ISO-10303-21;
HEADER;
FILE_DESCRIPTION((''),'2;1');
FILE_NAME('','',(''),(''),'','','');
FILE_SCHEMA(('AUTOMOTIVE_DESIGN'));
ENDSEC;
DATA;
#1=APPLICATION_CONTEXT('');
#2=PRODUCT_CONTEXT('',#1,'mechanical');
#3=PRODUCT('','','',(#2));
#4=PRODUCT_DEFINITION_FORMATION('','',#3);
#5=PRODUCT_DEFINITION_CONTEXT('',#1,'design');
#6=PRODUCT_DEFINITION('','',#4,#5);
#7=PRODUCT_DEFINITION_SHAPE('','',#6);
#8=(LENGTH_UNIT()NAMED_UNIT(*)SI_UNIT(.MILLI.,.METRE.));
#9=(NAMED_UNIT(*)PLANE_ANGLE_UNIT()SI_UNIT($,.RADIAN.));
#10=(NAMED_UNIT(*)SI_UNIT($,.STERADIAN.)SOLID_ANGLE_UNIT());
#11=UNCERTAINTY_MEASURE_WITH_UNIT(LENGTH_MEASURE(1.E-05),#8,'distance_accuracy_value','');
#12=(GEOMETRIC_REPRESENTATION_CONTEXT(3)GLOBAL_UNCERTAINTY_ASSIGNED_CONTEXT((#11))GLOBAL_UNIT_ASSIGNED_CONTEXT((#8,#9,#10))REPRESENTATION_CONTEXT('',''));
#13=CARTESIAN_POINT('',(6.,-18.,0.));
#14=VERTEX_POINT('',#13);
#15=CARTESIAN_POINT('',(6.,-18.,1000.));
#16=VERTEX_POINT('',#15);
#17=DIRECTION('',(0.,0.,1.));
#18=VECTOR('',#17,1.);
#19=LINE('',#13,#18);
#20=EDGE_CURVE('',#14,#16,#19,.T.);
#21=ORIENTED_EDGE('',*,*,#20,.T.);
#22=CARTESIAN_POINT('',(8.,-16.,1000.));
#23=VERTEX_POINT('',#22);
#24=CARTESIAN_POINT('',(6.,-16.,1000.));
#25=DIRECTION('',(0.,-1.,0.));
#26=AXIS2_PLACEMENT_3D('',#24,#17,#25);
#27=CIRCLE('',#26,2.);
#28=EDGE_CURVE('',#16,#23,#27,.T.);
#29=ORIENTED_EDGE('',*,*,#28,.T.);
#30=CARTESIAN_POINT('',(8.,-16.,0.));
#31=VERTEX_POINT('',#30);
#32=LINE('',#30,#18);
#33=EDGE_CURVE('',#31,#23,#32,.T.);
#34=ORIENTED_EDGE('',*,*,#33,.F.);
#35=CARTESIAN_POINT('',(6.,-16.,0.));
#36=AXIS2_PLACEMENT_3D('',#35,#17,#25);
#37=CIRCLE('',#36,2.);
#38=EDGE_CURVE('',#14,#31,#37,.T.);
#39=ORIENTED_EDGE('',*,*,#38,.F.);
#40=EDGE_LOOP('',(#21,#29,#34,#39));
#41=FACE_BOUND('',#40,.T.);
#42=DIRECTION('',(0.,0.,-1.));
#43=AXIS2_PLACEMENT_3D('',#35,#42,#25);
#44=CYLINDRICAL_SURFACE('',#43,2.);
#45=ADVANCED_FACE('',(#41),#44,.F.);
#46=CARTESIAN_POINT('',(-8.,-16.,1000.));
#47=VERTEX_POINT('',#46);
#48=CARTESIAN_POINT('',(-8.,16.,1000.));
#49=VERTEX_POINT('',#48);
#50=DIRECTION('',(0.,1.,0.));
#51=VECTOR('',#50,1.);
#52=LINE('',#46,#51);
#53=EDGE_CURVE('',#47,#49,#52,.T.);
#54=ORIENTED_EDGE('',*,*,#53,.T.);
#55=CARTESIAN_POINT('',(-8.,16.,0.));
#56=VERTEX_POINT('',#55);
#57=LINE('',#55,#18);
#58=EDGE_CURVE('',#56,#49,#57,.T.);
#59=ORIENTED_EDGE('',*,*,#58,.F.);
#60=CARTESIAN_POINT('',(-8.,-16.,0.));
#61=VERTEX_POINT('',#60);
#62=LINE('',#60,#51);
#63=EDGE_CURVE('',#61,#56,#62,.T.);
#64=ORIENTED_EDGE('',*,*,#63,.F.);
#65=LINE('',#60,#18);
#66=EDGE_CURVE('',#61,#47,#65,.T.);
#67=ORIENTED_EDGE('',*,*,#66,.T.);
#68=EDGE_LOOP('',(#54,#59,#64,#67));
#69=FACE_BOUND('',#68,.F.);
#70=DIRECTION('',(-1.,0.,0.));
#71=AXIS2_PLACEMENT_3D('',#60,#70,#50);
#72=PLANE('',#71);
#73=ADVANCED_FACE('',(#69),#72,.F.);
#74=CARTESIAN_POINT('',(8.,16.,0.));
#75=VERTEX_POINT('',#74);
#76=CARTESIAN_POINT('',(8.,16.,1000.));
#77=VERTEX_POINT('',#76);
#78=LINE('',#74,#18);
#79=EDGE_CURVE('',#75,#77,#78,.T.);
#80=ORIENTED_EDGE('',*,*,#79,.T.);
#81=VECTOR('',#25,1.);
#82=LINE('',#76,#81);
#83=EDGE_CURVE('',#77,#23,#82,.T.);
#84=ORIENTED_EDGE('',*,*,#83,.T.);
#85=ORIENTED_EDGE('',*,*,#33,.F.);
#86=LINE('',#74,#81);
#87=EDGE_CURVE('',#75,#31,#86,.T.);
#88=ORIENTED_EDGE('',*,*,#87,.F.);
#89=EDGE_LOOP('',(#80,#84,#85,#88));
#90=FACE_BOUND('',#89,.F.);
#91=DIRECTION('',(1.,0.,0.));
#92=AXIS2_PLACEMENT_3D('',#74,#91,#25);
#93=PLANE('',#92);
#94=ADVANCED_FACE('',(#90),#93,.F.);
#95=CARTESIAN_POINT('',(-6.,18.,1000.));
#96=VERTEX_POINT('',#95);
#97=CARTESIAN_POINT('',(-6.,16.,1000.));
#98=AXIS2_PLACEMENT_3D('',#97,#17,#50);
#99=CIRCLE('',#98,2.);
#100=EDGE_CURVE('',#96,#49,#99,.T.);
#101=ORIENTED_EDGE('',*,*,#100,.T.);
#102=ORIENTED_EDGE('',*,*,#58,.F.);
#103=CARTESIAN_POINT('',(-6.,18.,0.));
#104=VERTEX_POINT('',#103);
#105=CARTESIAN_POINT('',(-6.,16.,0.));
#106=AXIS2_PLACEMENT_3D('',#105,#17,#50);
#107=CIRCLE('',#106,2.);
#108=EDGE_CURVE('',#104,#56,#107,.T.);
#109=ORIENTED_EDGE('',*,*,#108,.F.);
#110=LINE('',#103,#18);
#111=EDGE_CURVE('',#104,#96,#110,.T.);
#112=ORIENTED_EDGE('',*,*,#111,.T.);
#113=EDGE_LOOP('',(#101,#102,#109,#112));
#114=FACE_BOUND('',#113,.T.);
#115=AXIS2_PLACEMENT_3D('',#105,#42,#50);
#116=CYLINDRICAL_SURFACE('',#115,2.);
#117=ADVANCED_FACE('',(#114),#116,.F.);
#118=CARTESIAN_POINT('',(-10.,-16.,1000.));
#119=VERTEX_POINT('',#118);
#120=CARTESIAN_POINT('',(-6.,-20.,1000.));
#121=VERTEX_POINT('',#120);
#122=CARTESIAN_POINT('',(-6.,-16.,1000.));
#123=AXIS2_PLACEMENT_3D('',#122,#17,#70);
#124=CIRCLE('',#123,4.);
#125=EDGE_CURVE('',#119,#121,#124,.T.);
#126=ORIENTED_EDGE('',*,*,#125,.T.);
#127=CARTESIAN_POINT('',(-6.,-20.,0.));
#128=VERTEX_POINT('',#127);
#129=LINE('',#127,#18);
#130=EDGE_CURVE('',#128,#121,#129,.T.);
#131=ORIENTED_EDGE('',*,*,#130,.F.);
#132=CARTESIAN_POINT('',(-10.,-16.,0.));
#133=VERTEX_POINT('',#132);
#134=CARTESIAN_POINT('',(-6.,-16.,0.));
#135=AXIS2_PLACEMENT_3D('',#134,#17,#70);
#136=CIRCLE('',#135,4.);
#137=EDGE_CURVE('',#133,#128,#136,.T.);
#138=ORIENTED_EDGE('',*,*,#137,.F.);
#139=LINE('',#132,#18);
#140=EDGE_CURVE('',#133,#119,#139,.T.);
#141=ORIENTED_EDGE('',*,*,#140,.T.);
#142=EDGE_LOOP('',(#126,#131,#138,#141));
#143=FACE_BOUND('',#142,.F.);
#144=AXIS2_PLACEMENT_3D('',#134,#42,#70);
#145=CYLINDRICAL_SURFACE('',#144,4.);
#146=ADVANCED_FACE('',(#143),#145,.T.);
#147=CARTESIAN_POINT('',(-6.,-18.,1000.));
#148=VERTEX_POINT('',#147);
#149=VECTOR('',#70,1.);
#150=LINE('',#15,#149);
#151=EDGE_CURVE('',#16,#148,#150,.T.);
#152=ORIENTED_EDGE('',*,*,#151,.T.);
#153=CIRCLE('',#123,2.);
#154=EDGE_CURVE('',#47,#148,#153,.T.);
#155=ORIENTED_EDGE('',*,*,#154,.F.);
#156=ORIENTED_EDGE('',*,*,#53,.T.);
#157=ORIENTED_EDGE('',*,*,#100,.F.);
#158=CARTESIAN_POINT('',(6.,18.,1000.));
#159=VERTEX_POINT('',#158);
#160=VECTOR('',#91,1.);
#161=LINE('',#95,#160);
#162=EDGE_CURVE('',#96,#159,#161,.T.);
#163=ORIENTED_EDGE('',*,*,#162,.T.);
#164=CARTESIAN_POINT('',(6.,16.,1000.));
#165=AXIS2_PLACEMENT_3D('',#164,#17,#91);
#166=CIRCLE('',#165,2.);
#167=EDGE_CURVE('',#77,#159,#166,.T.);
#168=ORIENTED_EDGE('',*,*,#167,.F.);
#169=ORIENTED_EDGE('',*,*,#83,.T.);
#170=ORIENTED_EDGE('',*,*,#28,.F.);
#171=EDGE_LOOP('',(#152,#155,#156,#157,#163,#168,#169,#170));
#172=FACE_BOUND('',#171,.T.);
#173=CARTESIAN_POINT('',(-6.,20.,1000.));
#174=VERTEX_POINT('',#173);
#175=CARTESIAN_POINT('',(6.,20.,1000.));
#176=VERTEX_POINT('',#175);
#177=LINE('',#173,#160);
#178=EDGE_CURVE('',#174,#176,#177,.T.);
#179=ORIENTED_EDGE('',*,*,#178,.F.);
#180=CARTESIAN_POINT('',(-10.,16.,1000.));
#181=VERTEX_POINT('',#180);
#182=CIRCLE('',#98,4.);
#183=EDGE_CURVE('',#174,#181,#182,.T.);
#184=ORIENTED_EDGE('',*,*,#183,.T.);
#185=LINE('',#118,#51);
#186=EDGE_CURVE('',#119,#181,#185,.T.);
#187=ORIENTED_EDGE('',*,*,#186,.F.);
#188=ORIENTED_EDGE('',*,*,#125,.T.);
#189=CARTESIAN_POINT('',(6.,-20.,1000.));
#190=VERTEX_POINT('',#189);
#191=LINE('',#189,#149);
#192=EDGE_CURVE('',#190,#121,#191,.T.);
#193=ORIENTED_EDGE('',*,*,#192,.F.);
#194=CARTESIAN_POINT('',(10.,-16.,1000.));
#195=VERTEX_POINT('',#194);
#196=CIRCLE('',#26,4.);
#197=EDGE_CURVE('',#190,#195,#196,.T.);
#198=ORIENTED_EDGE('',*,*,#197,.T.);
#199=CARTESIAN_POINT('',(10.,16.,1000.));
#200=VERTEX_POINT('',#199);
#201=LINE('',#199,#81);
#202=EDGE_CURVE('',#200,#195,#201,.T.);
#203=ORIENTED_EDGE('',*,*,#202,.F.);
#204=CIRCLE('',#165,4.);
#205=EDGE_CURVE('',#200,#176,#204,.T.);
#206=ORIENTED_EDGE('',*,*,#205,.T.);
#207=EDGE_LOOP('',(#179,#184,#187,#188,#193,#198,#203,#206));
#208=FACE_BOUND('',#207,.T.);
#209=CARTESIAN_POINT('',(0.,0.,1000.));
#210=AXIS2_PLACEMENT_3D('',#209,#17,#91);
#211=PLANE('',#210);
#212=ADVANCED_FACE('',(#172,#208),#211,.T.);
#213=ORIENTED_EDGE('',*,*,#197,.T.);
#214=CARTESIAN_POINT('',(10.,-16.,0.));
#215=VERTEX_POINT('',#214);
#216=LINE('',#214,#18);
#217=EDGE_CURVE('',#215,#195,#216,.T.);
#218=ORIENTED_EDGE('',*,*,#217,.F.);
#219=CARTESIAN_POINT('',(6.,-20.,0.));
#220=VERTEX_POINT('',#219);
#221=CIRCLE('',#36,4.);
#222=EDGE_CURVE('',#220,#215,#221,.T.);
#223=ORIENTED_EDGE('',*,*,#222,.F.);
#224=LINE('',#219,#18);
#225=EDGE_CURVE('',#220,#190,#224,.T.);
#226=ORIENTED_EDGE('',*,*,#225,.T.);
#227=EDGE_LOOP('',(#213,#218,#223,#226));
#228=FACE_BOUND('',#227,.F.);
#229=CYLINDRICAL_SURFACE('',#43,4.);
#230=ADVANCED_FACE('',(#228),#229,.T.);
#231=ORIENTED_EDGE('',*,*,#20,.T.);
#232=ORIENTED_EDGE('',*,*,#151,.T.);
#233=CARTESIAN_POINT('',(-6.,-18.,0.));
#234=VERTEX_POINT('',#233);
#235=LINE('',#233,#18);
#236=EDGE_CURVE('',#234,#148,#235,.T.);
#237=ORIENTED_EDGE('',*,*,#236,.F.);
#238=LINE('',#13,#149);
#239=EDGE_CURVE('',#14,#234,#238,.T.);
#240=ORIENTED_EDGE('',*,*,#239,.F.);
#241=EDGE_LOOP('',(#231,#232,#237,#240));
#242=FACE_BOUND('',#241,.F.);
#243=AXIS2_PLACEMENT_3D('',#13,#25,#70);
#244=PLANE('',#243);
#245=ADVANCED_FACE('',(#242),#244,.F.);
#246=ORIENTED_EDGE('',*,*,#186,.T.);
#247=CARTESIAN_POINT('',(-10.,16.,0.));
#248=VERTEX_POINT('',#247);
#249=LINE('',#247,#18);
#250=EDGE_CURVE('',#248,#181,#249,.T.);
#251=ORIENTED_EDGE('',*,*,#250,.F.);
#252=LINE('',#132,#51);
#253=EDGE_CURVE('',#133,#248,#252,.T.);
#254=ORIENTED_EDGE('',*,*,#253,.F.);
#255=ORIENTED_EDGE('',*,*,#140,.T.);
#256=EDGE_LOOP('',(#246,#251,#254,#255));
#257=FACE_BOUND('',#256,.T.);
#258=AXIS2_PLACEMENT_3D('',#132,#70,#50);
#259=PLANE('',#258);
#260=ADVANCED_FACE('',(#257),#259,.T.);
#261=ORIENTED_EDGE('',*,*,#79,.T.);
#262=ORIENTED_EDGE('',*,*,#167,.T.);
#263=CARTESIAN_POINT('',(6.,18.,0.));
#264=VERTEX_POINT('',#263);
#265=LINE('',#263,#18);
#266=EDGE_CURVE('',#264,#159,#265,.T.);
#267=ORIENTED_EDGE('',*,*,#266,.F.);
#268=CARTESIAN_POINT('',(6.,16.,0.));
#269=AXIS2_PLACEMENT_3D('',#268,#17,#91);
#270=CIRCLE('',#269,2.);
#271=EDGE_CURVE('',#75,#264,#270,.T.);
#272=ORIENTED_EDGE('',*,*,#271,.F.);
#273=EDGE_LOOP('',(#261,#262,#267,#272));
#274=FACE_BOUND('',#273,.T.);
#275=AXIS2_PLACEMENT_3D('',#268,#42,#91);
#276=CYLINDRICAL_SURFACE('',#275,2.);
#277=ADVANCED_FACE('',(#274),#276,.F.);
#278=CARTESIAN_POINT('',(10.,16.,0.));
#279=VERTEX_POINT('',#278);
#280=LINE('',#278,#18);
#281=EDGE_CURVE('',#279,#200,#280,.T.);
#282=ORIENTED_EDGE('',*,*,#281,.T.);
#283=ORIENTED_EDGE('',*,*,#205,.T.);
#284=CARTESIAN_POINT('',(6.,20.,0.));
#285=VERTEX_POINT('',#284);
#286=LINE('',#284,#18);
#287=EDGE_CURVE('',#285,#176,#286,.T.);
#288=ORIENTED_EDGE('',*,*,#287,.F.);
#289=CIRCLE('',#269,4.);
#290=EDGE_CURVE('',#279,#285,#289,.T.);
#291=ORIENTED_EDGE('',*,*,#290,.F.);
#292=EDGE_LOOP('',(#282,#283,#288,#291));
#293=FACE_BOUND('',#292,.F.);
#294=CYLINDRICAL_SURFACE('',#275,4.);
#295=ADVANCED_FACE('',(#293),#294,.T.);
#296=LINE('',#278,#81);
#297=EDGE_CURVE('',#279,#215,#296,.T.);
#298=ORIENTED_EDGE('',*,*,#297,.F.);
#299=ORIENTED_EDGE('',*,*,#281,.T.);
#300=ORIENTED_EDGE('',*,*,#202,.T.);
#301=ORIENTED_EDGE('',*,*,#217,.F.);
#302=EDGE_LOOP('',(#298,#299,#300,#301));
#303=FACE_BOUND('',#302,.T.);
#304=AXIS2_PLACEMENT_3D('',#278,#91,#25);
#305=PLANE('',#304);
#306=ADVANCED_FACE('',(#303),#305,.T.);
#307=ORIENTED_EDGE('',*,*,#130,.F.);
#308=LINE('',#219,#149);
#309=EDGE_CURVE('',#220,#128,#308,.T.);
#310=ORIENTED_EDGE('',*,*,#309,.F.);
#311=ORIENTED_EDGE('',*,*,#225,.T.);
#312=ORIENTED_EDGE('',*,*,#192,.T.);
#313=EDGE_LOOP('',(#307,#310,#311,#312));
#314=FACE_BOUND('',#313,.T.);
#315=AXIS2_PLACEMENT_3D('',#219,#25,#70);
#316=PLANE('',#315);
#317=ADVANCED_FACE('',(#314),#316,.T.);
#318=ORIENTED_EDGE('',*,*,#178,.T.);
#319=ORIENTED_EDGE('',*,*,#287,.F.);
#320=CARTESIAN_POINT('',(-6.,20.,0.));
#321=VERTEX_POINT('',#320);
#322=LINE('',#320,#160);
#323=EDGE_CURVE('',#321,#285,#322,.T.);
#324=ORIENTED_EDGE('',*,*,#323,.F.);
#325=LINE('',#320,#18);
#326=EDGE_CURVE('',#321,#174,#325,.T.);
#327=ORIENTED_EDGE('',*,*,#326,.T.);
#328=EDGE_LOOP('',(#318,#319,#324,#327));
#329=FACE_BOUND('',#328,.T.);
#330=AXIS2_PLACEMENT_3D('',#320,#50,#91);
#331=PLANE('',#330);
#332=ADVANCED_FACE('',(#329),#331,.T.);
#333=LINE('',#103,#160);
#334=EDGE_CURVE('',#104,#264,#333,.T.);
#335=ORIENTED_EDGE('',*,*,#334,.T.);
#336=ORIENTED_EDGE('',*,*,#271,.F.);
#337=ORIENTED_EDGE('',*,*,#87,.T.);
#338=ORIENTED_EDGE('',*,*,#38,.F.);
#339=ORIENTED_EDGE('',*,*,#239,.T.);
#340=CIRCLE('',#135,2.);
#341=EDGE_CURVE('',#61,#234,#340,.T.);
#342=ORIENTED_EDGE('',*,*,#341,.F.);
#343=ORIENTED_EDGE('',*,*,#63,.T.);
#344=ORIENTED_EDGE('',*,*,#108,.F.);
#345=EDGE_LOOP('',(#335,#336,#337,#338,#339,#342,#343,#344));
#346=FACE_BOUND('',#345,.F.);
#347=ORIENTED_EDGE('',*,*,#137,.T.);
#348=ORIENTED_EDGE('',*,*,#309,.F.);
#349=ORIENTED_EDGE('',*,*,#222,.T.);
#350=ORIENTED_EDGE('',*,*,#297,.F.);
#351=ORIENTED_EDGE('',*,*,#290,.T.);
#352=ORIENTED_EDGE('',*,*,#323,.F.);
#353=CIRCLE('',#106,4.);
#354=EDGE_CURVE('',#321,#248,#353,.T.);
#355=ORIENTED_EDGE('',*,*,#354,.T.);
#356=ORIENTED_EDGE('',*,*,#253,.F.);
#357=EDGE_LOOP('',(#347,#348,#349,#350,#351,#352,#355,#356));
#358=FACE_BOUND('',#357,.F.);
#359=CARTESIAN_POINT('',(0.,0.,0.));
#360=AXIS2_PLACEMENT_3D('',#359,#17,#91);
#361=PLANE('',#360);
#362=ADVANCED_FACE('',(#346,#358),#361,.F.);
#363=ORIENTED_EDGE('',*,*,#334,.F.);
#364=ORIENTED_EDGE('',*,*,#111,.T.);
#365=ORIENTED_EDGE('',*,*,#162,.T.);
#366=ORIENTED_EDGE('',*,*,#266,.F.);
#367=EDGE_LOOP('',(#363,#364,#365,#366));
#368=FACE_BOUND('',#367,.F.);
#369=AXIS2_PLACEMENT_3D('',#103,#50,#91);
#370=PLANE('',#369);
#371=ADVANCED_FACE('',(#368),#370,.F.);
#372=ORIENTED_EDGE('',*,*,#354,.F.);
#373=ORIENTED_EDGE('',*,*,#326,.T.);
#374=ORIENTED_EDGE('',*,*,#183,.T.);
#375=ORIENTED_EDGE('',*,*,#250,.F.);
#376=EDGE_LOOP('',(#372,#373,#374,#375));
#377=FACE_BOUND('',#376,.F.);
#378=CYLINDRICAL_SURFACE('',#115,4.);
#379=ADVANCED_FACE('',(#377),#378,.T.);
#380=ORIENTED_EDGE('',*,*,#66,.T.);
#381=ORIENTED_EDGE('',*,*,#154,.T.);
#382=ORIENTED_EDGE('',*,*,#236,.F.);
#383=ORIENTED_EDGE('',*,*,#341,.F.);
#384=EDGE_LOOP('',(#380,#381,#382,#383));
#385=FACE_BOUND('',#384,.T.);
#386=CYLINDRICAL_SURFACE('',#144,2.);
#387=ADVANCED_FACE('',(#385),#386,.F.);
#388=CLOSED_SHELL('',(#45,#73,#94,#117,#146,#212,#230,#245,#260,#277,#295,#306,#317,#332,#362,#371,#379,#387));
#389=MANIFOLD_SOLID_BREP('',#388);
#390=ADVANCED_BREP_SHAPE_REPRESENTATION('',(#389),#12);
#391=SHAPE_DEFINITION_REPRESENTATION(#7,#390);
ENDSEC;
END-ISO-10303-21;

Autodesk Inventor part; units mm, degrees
ref_plane "YZ Plane" through (0, 0, 0) normal (1, 0, 0) x (0, 1, 0)
ref_plane "Start Plane" through (0, 0, 0) normal (0, 0, 1) x (1, 0, 0)
ref_plane "End Plane" through (0, 0, 1000) normal (0, 0, 1) x (1, 0, 0)
sketch "Sketch" plane through (0, 0, 0) normal (0, 0, 1) x (1, 0, 0)
  line L0 (-10, -16) -> (-10, 16)
  line L1 (-6, 20) -> (6, 20)
  line L2 (10, 16) -> (10, -16)
  line L3 (6, -20) -> (-6, -20)
  arc A0 (-10, -16) -> (-6, -20) centre (-6, -16) ccw
  arc A1 (10, 16) -> (6, 20) centre (6, 16) ccw
  arc A2 (-6, 20) -> (-10, 16) centre (-6, 16) ccw
  arc A3 (6, -20) -> (10, -16) centre (6, -16) ccw
  arc A4 (-6, 18) -> (-8, 16) centre (-6, 16) ccw
  line L4 (-6, 18) -> (6, 18)
  arc A5 (8, 16) -> (6, 18) centre (6, 16) ccw
  line L5 (8, 16) -> (8, -16)
  arc A6 (6, -18) -> (8, -16) centre (6, -16) ccw
  line L6 (6, -18) -> (-6, -18)
  arc A7 (-8, -16) -> (-6, -18) centre (-6, -16) ccw
  line L7 (-8, -16) -> (-8, 16)
  line L8 (0, 29.1598) -> (0, -29.1598) construction
  line L9 (-15.1598, 0) -> (15.1598, 0) construction
  dimension "d7" = 4
  dimension "d9" = 20
  dimension "d11" = 40
  dimension "d12" = 2
  dimension "d15" = 10
  dimension "d16" = 20
extrude "Body" add sketch "Sketch" along normal up to surface (1000 mm away) from surface at 0
sketch "Sketch3" plane through (0, 0, 0) normal (0, 0, 1) x (1, 0, 0)
  line L0 (0, 0) -> (10, 0)
ref_plane "Work Plane3" through (0, 0, 0) normal (0, -1, 0) x (1, 0, 0)
sketch "Sketch4" plane through (0, 0, 0) normal (0, -1, 0) x (1, 0, 0)
  line L0 (-2, 0) -> (12, 0) projected
  line L1 (-2, 1000) -> (12, 1000) projected
  dimension "d18" = 1000
equation "\"d7\" = G_IR"
equation "\"d9\" = G_W"
equation "\"d11\" = G_H"
equation "\"d12\" = G_T"
equation "\"d15\" = 0.5 * d9"
equation "\"d16\" = 0.5 * d11"
equation "\"d3\" = G_L"
equation "\"G_W\" = 20"
equation "\"G_H\" = 40"
equation "\"G_T\" = 2"
equation "\"G_IR\" = 4"
equation "\"G_L\" = d18"
equation "\"G_OFFSET_START\" = 0"
equation "\"G_OFFSET_END\" = 0"
properties part number "ISO 4019 - 40x20x2 - 1000" material "Steel, Mild"
